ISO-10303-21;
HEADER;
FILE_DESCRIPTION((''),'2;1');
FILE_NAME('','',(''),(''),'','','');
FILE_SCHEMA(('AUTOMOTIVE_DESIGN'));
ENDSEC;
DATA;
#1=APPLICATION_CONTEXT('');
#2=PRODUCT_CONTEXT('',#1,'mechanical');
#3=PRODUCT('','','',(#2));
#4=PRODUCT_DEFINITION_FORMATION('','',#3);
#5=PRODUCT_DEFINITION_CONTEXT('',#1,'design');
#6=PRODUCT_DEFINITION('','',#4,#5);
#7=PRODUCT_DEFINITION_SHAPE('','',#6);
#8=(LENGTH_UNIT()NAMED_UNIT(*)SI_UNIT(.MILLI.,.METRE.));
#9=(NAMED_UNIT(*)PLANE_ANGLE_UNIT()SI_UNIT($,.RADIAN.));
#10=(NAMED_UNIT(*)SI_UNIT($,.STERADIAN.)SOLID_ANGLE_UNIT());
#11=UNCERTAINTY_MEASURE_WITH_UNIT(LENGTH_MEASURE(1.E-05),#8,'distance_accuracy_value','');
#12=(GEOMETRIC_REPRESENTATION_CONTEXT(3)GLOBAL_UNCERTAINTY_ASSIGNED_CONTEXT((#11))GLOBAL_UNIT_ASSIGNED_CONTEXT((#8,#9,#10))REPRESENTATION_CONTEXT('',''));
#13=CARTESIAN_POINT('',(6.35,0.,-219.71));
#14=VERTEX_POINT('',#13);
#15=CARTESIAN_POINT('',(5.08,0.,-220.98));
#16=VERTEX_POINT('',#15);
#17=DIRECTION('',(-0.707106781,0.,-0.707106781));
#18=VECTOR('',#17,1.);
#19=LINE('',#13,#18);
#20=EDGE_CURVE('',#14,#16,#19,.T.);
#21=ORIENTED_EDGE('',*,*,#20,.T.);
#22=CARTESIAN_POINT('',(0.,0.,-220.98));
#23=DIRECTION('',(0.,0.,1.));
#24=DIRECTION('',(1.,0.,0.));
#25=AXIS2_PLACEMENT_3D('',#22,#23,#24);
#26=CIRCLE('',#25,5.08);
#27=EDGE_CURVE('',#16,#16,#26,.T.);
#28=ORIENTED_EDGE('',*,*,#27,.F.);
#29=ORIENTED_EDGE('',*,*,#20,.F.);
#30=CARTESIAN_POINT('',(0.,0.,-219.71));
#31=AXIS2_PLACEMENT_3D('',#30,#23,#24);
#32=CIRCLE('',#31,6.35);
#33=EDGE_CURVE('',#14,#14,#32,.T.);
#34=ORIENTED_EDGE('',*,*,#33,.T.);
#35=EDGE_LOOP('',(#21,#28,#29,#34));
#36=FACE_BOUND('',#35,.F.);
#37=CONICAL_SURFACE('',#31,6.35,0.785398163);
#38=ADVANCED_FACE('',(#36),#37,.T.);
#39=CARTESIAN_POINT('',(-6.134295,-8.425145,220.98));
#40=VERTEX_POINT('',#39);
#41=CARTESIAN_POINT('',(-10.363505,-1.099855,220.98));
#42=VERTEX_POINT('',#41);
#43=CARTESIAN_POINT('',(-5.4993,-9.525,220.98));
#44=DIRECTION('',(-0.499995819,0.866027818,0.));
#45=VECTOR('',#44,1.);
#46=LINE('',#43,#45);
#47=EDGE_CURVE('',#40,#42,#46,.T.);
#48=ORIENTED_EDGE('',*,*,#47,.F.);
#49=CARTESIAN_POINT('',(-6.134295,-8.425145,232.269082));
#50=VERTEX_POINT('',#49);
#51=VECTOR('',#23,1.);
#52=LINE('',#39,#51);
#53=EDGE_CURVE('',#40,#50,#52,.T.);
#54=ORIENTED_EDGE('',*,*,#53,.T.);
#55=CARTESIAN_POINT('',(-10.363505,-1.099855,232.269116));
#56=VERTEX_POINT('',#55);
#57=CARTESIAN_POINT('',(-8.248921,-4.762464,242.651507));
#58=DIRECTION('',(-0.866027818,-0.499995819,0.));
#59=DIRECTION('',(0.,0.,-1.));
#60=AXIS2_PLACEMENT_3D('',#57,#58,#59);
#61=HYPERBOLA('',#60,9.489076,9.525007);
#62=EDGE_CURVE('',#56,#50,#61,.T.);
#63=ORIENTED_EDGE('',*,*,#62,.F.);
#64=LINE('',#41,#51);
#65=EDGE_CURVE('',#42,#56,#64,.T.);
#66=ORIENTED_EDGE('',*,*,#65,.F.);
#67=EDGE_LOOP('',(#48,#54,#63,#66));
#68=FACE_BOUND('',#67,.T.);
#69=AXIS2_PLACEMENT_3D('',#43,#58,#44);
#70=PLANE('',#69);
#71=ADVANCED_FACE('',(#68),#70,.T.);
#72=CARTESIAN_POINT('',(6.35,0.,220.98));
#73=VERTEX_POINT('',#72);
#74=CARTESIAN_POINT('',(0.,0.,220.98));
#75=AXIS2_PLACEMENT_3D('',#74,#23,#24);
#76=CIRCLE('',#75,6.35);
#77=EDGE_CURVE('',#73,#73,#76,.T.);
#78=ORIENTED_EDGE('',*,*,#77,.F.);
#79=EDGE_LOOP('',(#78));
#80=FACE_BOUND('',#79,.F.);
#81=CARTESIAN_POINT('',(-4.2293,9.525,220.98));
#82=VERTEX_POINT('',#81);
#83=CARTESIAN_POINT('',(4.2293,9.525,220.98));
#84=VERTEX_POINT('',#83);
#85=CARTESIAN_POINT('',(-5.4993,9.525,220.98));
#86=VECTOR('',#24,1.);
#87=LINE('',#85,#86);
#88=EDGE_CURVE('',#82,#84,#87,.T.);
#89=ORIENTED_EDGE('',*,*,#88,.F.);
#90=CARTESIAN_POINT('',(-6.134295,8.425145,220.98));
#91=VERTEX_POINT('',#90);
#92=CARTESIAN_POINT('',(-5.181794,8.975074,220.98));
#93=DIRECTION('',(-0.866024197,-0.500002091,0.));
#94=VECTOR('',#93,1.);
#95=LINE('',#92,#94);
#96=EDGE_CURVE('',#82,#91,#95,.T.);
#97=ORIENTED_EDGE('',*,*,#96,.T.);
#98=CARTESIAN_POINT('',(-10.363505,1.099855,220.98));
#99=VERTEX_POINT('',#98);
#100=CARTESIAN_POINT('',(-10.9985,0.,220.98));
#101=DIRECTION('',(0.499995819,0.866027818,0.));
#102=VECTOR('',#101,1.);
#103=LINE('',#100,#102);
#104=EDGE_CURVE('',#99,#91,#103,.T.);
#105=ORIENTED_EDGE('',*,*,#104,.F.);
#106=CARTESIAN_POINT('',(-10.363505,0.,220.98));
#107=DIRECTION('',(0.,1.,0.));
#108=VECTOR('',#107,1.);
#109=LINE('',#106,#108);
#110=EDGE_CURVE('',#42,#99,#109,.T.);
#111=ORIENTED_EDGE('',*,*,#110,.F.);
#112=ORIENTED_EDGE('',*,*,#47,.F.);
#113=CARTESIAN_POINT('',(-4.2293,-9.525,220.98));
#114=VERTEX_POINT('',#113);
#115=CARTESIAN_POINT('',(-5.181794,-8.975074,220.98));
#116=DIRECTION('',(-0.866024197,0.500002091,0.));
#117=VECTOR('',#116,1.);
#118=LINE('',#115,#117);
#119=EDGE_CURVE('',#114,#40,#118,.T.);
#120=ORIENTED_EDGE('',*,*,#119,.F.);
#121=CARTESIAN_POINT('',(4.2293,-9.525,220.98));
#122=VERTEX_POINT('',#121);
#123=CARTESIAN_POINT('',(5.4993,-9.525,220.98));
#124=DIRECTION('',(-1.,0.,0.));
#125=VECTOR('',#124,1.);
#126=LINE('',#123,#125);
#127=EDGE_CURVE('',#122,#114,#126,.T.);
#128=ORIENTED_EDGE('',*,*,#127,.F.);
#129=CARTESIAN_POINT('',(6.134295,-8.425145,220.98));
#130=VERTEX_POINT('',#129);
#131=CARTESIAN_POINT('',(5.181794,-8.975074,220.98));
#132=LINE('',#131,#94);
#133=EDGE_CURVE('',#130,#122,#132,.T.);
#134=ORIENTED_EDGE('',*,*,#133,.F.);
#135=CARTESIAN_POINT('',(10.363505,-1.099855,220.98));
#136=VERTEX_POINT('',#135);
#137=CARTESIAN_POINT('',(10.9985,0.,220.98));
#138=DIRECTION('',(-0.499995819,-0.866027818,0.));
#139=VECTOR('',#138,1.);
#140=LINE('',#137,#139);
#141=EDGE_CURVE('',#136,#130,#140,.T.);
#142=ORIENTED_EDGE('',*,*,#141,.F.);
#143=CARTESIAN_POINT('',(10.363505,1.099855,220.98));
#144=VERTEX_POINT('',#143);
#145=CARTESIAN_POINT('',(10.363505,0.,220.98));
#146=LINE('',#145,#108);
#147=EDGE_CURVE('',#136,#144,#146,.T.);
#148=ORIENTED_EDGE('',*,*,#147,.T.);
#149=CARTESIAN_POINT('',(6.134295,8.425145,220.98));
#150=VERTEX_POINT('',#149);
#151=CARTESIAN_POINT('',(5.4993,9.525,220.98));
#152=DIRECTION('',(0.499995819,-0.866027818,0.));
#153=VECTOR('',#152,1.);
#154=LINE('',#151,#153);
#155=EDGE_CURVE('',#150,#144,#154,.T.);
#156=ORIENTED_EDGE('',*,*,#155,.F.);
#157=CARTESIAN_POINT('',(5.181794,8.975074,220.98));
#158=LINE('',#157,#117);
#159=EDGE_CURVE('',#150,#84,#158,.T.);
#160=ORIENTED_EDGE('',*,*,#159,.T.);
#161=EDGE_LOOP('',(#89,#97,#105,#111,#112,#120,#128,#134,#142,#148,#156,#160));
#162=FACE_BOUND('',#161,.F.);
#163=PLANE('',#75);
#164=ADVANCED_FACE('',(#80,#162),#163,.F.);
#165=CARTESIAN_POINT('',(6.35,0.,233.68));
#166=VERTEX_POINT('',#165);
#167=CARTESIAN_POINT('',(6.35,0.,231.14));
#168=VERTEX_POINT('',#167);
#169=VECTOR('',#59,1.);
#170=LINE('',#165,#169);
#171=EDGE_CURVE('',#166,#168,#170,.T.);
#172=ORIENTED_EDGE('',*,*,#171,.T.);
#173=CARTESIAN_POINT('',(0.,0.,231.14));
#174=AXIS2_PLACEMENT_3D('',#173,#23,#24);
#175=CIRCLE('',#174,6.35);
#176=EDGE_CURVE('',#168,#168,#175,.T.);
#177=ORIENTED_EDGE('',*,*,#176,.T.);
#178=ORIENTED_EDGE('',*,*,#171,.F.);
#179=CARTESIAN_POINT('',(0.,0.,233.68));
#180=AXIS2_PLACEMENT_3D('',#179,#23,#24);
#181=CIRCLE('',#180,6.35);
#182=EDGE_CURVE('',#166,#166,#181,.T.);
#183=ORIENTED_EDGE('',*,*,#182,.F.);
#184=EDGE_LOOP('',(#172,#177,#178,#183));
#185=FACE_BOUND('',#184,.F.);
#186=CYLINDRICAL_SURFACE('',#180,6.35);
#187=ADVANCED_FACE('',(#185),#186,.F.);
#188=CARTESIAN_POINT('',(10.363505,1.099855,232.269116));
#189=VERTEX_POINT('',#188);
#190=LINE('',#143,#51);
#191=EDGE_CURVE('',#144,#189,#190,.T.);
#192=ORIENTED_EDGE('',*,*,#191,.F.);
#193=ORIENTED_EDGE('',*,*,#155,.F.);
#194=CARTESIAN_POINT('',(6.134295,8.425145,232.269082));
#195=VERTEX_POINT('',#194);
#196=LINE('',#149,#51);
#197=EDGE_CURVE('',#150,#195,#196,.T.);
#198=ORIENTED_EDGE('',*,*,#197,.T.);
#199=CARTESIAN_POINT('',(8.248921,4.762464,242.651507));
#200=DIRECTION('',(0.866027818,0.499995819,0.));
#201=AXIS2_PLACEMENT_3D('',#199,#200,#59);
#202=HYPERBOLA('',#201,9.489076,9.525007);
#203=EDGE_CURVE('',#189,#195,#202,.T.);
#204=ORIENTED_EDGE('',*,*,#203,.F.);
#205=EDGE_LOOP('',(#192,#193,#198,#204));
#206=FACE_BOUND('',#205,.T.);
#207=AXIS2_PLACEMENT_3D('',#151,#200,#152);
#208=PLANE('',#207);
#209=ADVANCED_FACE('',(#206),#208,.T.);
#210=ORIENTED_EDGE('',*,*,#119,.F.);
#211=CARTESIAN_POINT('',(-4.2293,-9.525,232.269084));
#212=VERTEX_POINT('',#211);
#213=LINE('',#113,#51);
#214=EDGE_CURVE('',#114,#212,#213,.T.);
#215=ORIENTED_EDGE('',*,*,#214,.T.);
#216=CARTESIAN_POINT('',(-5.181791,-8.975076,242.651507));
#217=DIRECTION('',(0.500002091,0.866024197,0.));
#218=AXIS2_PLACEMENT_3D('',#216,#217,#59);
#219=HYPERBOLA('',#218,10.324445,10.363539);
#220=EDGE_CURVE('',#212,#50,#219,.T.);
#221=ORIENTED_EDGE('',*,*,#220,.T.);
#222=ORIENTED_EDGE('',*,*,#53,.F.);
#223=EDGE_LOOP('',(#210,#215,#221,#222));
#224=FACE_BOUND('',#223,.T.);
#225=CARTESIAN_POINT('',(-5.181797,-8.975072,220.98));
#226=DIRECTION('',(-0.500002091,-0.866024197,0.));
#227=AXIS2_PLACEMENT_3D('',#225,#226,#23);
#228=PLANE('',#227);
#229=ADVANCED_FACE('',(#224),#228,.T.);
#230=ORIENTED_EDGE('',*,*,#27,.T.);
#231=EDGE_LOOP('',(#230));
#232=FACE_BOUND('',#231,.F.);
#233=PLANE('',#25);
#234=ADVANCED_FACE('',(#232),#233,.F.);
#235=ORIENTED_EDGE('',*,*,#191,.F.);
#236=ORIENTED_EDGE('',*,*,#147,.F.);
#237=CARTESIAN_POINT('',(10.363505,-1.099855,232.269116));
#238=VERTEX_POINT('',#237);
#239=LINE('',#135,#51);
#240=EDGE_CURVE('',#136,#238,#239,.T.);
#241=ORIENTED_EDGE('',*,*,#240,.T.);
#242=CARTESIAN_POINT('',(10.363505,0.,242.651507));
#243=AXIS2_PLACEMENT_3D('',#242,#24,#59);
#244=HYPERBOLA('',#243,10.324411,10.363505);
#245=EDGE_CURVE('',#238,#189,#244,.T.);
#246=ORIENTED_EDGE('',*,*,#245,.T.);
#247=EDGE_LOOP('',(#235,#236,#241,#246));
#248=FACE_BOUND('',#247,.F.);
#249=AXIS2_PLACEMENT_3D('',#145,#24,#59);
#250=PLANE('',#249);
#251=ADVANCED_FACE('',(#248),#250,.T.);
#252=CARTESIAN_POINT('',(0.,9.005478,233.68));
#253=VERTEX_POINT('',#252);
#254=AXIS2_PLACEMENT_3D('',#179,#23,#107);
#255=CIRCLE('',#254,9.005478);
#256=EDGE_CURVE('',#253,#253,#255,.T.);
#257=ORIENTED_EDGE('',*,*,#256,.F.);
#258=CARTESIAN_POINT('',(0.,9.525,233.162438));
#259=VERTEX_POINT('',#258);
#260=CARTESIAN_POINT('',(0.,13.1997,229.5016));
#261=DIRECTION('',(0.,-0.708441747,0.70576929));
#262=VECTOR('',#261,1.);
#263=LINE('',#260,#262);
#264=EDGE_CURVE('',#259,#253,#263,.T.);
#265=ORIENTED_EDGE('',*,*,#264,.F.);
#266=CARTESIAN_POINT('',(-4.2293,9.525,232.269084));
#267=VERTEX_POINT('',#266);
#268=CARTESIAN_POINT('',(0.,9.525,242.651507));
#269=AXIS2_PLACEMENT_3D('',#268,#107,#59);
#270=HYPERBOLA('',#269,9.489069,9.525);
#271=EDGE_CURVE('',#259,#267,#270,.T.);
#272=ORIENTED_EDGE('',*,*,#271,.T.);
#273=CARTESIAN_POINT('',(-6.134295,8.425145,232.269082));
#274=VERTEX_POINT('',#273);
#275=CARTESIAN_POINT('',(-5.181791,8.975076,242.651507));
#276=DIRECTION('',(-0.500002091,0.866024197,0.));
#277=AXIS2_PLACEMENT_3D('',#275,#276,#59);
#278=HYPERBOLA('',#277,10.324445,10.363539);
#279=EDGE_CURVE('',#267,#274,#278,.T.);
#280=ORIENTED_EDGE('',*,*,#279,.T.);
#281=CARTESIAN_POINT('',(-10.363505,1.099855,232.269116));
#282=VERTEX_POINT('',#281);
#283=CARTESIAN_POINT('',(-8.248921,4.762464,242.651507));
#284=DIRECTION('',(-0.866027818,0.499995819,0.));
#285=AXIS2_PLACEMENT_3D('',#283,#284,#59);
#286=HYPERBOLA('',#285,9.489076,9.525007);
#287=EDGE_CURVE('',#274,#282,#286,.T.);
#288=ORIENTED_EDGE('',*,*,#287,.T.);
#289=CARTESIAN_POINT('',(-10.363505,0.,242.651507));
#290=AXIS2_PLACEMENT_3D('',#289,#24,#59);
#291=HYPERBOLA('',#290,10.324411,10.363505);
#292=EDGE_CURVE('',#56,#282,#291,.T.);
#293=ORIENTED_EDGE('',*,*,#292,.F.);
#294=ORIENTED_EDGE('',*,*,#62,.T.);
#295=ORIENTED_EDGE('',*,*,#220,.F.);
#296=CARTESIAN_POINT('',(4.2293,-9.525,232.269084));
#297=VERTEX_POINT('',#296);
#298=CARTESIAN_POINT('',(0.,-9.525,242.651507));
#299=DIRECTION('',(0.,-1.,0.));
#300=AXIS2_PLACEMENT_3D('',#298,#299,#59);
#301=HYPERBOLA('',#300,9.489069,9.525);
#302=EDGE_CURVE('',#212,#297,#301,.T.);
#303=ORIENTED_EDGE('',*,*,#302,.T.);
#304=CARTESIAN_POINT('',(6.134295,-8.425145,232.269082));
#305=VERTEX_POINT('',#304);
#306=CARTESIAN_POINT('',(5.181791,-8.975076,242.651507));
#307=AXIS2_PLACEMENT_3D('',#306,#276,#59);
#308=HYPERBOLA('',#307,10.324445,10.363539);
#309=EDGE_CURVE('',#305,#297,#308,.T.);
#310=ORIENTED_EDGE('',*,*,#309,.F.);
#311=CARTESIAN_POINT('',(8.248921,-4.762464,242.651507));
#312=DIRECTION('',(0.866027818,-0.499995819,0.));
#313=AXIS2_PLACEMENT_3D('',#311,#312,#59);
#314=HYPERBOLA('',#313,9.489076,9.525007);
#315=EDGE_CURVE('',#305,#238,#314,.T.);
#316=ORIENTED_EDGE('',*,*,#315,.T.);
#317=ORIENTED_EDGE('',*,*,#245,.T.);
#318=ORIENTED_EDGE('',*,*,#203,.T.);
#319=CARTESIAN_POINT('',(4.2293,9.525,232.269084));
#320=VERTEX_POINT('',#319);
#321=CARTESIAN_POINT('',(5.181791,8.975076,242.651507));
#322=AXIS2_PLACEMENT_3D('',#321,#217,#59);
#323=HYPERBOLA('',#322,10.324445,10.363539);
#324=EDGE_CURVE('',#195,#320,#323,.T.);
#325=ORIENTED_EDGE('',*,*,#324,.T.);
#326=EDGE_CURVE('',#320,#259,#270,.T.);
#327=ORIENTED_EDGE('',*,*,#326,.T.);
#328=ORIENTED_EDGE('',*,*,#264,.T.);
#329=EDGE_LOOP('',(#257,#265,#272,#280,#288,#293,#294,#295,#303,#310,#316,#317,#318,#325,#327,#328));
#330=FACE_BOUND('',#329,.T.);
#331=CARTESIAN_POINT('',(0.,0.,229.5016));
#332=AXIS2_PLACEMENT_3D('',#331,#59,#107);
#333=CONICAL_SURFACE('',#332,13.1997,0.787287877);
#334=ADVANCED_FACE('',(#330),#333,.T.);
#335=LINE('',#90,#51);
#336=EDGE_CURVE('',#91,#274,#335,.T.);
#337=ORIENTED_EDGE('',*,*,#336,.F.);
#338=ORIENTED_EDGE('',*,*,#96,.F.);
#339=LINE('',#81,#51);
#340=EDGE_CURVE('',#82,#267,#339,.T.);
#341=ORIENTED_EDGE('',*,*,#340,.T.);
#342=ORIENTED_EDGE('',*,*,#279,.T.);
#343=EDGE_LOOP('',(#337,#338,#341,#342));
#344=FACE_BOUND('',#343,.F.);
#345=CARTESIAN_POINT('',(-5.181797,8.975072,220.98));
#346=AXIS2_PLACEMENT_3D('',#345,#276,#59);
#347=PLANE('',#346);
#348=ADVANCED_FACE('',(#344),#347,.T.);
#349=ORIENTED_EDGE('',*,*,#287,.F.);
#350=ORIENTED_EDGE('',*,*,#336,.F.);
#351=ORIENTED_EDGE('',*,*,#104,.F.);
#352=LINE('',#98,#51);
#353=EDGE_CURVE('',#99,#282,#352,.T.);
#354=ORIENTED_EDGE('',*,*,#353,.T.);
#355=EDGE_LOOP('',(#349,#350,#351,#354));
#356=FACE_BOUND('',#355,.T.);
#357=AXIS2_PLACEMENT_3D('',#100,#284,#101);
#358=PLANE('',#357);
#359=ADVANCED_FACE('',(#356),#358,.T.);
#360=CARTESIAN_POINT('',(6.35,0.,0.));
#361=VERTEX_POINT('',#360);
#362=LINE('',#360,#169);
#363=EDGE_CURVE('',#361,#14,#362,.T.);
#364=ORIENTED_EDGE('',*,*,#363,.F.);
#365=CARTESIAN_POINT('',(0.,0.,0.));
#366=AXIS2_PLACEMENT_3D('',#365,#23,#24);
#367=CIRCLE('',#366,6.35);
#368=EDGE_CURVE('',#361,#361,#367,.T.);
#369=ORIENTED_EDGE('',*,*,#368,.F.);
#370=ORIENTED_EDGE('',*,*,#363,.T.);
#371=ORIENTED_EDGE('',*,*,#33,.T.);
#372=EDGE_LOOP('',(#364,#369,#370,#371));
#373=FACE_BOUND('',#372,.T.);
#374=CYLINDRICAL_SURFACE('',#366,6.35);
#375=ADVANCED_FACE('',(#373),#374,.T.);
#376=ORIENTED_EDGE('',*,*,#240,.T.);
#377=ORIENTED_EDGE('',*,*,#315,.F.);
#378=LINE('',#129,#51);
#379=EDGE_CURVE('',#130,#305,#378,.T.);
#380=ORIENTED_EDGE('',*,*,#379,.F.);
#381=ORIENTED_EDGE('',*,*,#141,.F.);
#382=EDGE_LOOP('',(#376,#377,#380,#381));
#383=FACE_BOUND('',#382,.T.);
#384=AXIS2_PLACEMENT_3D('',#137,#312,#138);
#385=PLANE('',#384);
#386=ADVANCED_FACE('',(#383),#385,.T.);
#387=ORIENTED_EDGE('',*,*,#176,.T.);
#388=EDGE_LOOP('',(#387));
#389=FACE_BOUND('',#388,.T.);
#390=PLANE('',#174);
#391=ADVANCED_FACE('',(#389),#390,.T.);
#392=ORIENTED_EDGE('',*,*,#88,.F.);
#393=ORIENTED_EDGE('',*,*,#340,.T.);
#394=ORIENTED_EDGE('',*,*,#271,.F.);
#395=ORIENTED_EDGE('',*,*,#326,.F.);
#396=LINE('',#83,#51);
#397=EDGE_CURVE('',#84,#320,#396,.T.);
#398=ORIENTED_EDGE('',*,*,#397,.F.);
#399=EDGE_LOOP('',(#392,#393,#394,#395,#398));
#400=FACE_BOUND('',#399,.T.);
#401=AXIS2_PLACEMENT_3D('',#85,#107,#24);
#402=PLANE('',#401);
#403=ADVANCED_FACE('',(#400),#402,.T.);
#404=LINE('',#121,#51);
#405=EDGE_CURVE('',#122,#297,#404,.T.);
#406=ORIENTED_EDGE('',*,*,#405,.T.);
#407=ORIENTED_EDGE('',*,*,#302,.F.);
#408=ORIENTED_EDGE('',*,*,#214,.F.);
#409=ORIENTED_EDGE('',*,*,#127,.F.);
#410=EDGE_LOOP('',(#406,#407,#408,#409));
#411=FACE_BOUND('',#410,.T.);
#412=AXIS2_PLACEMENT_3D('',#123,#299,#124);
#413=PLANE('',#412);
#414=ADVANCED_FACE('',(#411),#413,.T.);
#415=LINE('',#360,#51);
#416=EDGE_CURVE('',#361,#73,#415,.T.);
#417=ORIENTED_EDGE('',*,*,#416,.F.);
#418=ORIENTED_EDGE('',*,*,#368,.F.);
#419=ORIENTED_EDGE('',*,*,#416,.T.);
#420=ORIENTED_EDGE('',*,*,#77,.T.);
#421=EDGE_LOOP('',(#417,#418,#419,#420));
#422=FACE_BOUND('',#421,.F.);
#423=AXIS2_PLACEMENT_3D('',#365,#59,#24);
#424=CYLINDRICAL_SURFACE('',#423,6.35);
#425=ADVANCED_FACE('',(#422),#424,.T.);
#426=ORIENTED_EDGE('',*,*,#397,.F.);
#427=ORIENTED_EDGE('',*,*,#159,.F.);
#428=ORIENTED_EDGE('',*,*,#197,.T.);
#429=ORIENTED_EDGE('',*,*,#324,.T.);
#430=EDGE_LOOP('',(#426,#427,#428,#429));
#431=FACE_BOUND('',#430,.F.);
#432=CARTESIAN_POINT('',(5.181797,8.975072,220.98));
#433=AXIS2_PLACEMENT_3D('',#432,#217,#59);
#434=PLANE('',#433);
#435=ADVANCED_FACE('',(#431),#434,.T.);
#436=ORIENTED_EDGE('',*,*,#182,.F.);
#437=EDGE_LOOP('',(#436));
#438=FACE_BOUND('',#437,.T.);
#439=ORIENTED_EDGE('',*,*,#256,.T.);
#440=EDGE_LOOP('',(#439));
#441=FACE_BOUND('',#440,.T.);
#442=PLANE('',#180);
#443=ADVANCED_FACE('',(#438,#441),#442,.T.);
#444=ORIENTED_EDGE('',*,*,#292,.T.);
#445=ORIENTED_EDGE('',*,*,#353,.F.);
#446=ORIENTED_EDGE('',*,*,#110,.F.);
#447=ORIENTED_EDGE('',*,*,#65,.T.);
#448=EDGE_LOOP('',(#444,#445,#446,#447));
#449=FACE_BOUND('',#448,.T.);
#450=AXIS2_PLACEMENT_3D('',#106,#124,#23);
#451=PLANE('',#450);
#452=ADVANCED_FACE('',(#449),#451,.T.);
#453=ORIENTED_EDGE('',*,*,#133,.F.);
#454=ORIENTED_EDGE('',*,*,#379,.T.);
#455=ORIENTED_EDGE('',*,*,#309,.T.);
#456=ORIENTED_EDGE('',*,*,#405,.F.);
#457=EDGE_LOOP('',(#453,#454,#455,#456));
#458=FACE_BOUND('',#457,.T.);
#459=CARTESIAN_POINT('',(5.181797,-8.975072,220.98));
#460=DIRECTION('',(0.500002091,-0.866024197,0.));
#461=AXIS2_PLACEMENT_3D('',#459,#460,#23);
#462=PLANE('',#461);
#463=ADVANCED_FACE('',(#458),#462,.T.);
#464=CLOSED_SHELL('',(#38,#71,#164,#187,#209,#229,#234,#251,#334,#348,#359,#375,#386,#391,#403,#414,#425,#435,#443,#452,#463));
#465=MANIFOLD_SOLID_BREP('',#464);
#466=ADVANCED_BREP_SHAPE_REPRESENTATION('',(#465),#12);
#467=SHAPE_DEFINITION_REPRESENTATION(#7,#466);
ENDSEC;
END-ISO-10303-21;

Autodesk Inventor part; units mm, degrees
ref_plane "YZ Plane" through (0, 0, 0) normal (1, 0, 0) x (0, 1, 0)
ref_plane "XZ Plane" through (0, 0, 0) normal (0, 1, 0) x (-1, 0, 0)
ref_plane "XY Plane" through (0, 0, 0) normal (0, 0, 1) x (1, 0, 0)
sketch "Sketch2" plane through (0, 0, 0) normal (0, 0, 1) x (1, 0, 0)
  circle A0 centre (0, 0) radius 6.35
  dimension "d0" = 12.7
extrude "Extrusion1" add sketch "Sketch2" along normal mid plane 441.96
chamfer "Chamfer1" distance 1.27 angle 45 1 edges at (-6.35, 0, -220.98)
sketch "Sketch3" plane through (0, 0, 220.98) normal (0, 0, 1) x (1, 0, 0)
  line L0 (10.9985, 0) -> (5.4993, -9.525)
  line L1 (5.4993, -9.525) -> (-5.4993, -9.525)
  line L2 (-5.4993, -9.525) -> (-10.9985, 0)
  line L3 (-10.9985, 0) -> (-5.4993, 9.525)
  line L4 (-5.4993, 9.525) -> (5.4993, 9.525)
  line L5 (5.4993, 9.525) -> (10.9985, 0)
  point P0 (0, 0)
  point P1 (0, 0)
  dimension "d6" = 19.05
extrude "Extrusion2" add sketch "Sketch3" along normal blind 12.7
sketch "Sketch4" plane through (0, 0, 233.68) normal (0, 0, 1) x (1, 0, 0)
  circle A0 centre (0, 0) radius 6.35
extrude "Extrusion3" cut sketch "Sketch4" against normal blind 2.54
sketch "Sketch5" plane through (0, 0, 0) normal (1, 0, 0) x (0, 1, 0)
  line L0 (0, 233.68) -> (9.525, 233.68) projected
  line L1 (9.525, 233.68) -> (11.1053, 233.68) construction
  line L2 (13.1997, 229.5016) -> (7.8979, 234.7834)
  line L3 (7.8979, 234.7834) -> (10.6425, 234.7834)
  line L4 (10.6425, 234.7834) -> (13.1997, 229.5016)
  line L5 (0, -312.1327) -> (0, 325.9361) projected
  point P0 (0, 0)
revolve "Revolution1" cut sketch "Sketch5" angle 360 about axis through (0, 0, -10) along (0, 0, 1)
chamfer "Chamfer2" distance 1.27 angle 45 6 edges at (5.4993, 9.525, 226.3372) (10.9985, 0, 226.3372) (5.4993, -9.525, 226.3372) (-5.4993, -9.525, 226.3372) (-10.9985, 0, 226.3372) (-5.4993, 9.525, 226.3372)
properties part number "Through bolt"
